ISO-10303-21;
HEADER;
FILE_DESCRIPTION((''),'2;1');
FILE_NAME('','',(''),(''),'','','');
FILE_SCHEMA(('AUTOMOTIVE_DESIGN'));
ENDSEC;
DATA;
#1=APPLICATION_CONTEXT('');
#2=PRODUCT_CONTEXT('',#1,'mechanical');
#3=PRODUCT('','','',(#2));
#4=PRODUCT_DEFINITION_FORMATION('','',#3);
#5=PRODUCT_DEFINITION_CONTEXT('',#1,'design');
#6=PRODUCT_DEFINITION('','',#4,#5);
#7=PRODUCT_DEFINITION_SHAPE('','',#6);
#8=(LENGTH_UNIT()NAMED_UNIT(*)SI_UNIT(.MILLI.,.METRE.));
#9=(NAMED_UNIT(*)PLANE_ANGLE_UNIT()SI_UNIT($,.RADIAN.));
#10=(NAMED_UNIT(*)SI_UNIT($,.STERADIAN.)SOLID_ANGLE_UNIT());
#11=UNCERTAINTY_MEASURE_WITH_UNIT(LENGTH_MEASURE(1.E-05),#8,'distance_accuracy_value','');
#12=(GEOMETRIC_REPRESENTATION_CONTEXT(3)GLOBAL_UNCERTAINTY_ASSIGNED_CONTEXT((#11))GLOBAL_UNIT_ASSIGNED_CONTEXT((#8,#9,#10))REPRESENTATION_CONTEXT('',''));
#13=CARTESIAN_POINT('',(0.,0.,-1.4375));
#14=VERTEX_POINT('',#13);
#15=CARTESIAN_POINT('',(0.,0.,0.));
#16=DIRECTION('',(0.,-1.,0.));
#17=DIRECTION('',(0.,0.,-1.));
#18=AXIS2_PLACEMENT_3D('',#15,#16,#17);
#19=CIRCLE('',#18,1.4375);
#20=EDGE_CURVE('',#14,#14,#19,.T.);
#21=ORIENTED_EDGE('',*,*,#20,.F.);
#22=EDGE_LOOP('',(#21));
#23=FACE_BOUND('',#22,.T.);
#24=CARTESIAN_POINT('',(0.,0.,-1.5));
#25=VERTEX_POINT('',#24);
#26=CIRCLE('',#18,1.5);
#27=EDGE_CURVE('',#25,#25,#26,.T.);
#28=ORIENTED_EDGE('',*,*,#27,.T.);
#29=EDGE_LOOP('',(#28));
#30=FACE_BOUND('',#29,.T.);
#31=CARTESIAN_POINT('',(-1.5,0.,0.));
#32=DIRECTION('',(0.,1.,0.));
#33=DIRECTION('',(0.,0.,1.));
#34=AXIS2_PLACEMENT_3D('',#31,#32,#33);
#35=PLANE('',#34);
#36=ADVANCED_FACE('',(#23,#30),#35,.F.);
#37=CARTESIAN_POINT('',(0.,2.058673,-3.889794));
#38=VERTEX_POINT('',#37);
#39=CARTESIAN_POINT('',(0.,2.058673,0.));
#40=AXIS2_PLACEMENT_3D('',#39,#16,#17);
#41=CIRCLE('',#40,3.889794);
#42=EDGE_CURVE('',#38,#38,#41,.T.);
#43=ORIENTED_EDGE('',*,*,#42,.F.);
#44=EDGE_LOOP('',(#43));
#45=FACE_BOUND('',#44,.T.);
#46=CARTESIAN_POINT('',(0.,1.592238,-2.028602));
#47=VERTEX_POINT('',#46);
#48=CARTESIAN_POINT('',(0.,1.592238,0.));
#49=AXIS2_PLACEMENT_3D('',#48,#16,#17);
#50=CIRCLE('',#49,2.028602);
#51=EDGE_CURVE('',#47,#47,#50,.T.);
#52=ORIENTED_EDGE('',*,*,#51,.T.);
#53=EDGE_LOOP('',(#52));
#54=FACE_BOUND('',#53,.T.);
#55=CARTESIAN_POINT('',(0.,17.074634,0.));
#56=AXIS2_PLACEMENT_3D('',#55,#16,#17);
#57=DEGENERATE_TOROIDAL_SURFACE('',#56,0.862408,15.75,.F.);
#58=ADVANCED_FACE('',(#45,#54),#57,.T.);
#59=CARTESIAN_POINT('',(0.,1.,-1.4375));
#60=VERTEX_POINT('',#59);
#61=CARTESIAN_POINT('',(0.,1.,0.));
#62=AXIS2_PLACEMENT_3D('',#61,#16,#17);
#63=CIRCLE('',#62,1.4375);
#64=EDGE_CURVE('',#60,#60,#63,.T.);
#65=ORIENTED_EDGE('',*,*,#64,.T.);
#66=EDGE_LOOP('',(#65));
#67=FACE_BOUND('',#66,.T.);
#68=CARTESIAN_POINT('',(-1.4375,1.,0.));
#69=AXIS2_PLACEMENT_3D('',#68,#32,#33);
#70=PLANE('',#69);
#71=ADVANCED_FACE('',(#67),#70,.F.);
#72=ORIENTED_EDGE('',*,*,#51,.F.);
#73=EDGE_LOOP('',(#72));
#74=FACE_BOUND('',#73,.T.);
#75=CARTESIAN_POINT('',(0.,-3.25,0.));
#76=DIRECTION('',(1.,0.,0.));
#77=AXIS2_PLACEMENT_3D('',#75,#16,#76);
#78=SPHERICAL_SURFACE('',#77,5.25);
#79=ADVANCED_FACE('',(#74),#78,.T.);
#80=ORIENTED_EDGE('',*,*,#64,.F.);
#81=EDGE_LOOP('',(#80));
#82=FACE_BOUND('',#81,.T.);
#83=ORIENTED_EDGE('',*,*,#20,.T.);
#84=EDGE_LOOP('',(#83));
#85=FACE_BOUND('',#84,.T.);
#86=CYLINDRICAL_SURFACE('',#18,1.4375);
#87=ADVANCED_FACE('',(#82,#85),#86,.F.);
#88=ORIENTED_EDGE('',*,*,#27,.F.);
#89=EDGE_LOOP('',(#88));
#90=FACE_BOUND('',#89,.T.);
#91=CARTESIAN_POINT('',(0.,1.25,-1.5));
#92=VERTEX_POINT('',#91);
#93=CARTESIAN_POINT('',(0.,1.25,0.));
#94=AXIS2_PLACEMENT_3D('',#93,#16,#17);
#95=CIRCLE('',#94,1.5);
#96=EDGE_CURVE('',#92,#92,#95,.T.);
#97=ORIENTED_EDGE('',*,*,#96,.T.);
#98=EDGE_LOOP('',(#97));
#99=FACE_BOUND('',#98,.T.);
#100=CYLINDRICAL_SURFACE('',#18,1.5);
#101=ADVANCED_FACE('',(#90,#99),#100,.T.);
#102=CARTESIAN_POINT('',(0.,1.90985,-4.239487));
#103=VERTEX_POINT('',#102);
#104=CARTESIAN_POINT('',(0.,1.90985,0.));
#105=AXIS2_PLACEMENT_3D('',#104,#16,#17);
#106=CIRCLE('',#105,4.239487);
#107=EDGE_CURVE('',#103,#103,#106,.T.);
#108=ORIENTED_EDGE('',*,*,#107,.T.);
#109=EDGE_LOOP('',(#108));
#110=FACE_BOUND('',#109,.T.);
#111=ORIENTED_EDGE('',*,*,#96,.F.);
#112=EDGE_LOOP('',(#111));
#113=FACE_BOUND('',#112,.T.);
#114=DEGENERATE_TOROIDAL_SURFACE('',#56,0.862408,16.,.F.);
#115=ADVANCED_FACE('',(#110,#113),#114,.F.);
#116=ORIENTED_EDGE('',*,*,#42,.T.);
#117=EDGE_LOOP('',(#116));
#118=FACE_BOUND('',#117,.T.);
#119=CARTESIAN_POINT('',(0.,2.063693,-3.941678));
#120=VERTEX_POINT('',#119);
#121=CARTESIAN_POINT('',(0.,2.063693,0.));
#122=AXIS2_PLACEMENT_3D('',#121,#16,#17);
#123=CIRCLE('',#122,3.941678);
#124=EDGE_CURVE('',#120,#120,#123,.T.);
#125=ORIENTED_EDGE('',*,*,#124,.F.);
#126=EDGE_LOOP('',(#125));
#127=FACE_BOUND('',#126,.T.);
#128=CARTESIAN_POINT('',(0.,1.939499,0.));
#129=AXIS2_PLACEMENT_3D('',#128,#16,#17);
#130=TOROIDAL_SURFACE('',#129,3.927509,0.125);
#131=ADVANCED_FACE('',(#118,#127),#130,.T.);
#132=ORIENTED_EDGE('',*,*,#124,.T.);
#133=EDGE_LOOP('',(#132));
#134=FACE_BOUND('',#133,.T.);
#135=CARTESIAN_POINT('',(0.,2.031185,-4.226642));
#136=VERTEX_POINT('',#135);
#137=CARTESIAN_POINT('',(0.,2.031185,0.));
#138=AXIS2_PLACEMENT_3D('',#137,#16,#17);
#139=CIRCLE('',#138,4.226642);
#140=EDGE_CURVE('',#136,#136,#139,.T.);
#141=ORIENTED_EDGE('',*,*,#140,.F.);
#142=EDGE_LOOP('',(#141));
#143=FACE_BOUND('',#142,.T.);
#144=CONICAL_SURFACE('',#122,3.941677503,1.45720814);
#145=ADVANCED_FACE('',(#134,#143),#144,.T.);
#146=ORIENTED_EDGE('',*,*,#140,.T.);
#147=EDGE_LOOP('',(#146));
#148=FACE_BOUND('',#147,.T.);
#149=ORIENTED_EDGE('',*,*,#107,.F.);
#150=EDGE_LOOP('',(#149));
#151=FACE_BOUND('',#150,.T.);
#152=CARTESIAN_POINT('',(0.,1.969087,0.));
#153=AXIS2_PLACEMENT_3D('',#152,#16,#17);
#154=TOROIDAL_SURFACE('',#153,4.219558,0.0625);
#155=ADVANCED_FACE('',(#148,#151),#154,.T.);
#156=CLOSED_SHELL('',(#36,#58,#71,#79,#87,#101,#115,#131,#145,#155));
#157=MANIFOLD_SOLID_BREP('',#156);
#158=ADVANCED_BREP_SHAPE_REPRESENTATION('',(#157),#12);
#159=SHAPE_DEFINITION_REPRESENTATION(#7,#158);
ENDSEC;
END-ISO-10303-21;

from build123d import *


with BuildPart() as part:
    # Sketch1 → Revolve1 (revolve)
    with BuildSketch(Plane.XY, mode=Mode.PRIVATE) as revolve1_sk:
        with BuildLine():
            Line((-1.5, 0), (-1.5, 1.25))
            ThreePointArc((-1.5, 1.25), (-2.884297868, 1.519499587), (-4.239486894, 1.909849842))
            ThreePointArc((-4.239486894, 1.909849842), (-4.281710291, 1.975667162), (-4.226641621, 2.031184515))
            Line((-4.226641621, 2.031184515), (-3.941677503, 2.063693004))
            ThreePointArc((-3.941677503, 2.063693004), (-3.915470962, 2.063917474), (-3.889793603, 2.058672821))
            ThreePointArc((-3.889793603, 2.058672821), (-2.966307435, 1.797086773), (-2.028602191, 1.592238444))
            ThreePointArc((-2.028602191, 1.592238444), (-1.034588848, 1.897050215), (0, 2))
            Line((0, 2), (0, 1))
            Line((0, 1), (-1.4375, 1))
            Line((-1.4375, 1), (-1.4375, 0))
            Line((-1.4375, 0), (-1.5, 0))
        make_face()
    revolve(revolve1_sk.sketch.rotate(Axis((0, 0, 0), (0, 1, 0)), 270), axis=Axis((0, 0, 0), (0, 1, 0)))  # turned: the seam where the file's is


solid = part.part
